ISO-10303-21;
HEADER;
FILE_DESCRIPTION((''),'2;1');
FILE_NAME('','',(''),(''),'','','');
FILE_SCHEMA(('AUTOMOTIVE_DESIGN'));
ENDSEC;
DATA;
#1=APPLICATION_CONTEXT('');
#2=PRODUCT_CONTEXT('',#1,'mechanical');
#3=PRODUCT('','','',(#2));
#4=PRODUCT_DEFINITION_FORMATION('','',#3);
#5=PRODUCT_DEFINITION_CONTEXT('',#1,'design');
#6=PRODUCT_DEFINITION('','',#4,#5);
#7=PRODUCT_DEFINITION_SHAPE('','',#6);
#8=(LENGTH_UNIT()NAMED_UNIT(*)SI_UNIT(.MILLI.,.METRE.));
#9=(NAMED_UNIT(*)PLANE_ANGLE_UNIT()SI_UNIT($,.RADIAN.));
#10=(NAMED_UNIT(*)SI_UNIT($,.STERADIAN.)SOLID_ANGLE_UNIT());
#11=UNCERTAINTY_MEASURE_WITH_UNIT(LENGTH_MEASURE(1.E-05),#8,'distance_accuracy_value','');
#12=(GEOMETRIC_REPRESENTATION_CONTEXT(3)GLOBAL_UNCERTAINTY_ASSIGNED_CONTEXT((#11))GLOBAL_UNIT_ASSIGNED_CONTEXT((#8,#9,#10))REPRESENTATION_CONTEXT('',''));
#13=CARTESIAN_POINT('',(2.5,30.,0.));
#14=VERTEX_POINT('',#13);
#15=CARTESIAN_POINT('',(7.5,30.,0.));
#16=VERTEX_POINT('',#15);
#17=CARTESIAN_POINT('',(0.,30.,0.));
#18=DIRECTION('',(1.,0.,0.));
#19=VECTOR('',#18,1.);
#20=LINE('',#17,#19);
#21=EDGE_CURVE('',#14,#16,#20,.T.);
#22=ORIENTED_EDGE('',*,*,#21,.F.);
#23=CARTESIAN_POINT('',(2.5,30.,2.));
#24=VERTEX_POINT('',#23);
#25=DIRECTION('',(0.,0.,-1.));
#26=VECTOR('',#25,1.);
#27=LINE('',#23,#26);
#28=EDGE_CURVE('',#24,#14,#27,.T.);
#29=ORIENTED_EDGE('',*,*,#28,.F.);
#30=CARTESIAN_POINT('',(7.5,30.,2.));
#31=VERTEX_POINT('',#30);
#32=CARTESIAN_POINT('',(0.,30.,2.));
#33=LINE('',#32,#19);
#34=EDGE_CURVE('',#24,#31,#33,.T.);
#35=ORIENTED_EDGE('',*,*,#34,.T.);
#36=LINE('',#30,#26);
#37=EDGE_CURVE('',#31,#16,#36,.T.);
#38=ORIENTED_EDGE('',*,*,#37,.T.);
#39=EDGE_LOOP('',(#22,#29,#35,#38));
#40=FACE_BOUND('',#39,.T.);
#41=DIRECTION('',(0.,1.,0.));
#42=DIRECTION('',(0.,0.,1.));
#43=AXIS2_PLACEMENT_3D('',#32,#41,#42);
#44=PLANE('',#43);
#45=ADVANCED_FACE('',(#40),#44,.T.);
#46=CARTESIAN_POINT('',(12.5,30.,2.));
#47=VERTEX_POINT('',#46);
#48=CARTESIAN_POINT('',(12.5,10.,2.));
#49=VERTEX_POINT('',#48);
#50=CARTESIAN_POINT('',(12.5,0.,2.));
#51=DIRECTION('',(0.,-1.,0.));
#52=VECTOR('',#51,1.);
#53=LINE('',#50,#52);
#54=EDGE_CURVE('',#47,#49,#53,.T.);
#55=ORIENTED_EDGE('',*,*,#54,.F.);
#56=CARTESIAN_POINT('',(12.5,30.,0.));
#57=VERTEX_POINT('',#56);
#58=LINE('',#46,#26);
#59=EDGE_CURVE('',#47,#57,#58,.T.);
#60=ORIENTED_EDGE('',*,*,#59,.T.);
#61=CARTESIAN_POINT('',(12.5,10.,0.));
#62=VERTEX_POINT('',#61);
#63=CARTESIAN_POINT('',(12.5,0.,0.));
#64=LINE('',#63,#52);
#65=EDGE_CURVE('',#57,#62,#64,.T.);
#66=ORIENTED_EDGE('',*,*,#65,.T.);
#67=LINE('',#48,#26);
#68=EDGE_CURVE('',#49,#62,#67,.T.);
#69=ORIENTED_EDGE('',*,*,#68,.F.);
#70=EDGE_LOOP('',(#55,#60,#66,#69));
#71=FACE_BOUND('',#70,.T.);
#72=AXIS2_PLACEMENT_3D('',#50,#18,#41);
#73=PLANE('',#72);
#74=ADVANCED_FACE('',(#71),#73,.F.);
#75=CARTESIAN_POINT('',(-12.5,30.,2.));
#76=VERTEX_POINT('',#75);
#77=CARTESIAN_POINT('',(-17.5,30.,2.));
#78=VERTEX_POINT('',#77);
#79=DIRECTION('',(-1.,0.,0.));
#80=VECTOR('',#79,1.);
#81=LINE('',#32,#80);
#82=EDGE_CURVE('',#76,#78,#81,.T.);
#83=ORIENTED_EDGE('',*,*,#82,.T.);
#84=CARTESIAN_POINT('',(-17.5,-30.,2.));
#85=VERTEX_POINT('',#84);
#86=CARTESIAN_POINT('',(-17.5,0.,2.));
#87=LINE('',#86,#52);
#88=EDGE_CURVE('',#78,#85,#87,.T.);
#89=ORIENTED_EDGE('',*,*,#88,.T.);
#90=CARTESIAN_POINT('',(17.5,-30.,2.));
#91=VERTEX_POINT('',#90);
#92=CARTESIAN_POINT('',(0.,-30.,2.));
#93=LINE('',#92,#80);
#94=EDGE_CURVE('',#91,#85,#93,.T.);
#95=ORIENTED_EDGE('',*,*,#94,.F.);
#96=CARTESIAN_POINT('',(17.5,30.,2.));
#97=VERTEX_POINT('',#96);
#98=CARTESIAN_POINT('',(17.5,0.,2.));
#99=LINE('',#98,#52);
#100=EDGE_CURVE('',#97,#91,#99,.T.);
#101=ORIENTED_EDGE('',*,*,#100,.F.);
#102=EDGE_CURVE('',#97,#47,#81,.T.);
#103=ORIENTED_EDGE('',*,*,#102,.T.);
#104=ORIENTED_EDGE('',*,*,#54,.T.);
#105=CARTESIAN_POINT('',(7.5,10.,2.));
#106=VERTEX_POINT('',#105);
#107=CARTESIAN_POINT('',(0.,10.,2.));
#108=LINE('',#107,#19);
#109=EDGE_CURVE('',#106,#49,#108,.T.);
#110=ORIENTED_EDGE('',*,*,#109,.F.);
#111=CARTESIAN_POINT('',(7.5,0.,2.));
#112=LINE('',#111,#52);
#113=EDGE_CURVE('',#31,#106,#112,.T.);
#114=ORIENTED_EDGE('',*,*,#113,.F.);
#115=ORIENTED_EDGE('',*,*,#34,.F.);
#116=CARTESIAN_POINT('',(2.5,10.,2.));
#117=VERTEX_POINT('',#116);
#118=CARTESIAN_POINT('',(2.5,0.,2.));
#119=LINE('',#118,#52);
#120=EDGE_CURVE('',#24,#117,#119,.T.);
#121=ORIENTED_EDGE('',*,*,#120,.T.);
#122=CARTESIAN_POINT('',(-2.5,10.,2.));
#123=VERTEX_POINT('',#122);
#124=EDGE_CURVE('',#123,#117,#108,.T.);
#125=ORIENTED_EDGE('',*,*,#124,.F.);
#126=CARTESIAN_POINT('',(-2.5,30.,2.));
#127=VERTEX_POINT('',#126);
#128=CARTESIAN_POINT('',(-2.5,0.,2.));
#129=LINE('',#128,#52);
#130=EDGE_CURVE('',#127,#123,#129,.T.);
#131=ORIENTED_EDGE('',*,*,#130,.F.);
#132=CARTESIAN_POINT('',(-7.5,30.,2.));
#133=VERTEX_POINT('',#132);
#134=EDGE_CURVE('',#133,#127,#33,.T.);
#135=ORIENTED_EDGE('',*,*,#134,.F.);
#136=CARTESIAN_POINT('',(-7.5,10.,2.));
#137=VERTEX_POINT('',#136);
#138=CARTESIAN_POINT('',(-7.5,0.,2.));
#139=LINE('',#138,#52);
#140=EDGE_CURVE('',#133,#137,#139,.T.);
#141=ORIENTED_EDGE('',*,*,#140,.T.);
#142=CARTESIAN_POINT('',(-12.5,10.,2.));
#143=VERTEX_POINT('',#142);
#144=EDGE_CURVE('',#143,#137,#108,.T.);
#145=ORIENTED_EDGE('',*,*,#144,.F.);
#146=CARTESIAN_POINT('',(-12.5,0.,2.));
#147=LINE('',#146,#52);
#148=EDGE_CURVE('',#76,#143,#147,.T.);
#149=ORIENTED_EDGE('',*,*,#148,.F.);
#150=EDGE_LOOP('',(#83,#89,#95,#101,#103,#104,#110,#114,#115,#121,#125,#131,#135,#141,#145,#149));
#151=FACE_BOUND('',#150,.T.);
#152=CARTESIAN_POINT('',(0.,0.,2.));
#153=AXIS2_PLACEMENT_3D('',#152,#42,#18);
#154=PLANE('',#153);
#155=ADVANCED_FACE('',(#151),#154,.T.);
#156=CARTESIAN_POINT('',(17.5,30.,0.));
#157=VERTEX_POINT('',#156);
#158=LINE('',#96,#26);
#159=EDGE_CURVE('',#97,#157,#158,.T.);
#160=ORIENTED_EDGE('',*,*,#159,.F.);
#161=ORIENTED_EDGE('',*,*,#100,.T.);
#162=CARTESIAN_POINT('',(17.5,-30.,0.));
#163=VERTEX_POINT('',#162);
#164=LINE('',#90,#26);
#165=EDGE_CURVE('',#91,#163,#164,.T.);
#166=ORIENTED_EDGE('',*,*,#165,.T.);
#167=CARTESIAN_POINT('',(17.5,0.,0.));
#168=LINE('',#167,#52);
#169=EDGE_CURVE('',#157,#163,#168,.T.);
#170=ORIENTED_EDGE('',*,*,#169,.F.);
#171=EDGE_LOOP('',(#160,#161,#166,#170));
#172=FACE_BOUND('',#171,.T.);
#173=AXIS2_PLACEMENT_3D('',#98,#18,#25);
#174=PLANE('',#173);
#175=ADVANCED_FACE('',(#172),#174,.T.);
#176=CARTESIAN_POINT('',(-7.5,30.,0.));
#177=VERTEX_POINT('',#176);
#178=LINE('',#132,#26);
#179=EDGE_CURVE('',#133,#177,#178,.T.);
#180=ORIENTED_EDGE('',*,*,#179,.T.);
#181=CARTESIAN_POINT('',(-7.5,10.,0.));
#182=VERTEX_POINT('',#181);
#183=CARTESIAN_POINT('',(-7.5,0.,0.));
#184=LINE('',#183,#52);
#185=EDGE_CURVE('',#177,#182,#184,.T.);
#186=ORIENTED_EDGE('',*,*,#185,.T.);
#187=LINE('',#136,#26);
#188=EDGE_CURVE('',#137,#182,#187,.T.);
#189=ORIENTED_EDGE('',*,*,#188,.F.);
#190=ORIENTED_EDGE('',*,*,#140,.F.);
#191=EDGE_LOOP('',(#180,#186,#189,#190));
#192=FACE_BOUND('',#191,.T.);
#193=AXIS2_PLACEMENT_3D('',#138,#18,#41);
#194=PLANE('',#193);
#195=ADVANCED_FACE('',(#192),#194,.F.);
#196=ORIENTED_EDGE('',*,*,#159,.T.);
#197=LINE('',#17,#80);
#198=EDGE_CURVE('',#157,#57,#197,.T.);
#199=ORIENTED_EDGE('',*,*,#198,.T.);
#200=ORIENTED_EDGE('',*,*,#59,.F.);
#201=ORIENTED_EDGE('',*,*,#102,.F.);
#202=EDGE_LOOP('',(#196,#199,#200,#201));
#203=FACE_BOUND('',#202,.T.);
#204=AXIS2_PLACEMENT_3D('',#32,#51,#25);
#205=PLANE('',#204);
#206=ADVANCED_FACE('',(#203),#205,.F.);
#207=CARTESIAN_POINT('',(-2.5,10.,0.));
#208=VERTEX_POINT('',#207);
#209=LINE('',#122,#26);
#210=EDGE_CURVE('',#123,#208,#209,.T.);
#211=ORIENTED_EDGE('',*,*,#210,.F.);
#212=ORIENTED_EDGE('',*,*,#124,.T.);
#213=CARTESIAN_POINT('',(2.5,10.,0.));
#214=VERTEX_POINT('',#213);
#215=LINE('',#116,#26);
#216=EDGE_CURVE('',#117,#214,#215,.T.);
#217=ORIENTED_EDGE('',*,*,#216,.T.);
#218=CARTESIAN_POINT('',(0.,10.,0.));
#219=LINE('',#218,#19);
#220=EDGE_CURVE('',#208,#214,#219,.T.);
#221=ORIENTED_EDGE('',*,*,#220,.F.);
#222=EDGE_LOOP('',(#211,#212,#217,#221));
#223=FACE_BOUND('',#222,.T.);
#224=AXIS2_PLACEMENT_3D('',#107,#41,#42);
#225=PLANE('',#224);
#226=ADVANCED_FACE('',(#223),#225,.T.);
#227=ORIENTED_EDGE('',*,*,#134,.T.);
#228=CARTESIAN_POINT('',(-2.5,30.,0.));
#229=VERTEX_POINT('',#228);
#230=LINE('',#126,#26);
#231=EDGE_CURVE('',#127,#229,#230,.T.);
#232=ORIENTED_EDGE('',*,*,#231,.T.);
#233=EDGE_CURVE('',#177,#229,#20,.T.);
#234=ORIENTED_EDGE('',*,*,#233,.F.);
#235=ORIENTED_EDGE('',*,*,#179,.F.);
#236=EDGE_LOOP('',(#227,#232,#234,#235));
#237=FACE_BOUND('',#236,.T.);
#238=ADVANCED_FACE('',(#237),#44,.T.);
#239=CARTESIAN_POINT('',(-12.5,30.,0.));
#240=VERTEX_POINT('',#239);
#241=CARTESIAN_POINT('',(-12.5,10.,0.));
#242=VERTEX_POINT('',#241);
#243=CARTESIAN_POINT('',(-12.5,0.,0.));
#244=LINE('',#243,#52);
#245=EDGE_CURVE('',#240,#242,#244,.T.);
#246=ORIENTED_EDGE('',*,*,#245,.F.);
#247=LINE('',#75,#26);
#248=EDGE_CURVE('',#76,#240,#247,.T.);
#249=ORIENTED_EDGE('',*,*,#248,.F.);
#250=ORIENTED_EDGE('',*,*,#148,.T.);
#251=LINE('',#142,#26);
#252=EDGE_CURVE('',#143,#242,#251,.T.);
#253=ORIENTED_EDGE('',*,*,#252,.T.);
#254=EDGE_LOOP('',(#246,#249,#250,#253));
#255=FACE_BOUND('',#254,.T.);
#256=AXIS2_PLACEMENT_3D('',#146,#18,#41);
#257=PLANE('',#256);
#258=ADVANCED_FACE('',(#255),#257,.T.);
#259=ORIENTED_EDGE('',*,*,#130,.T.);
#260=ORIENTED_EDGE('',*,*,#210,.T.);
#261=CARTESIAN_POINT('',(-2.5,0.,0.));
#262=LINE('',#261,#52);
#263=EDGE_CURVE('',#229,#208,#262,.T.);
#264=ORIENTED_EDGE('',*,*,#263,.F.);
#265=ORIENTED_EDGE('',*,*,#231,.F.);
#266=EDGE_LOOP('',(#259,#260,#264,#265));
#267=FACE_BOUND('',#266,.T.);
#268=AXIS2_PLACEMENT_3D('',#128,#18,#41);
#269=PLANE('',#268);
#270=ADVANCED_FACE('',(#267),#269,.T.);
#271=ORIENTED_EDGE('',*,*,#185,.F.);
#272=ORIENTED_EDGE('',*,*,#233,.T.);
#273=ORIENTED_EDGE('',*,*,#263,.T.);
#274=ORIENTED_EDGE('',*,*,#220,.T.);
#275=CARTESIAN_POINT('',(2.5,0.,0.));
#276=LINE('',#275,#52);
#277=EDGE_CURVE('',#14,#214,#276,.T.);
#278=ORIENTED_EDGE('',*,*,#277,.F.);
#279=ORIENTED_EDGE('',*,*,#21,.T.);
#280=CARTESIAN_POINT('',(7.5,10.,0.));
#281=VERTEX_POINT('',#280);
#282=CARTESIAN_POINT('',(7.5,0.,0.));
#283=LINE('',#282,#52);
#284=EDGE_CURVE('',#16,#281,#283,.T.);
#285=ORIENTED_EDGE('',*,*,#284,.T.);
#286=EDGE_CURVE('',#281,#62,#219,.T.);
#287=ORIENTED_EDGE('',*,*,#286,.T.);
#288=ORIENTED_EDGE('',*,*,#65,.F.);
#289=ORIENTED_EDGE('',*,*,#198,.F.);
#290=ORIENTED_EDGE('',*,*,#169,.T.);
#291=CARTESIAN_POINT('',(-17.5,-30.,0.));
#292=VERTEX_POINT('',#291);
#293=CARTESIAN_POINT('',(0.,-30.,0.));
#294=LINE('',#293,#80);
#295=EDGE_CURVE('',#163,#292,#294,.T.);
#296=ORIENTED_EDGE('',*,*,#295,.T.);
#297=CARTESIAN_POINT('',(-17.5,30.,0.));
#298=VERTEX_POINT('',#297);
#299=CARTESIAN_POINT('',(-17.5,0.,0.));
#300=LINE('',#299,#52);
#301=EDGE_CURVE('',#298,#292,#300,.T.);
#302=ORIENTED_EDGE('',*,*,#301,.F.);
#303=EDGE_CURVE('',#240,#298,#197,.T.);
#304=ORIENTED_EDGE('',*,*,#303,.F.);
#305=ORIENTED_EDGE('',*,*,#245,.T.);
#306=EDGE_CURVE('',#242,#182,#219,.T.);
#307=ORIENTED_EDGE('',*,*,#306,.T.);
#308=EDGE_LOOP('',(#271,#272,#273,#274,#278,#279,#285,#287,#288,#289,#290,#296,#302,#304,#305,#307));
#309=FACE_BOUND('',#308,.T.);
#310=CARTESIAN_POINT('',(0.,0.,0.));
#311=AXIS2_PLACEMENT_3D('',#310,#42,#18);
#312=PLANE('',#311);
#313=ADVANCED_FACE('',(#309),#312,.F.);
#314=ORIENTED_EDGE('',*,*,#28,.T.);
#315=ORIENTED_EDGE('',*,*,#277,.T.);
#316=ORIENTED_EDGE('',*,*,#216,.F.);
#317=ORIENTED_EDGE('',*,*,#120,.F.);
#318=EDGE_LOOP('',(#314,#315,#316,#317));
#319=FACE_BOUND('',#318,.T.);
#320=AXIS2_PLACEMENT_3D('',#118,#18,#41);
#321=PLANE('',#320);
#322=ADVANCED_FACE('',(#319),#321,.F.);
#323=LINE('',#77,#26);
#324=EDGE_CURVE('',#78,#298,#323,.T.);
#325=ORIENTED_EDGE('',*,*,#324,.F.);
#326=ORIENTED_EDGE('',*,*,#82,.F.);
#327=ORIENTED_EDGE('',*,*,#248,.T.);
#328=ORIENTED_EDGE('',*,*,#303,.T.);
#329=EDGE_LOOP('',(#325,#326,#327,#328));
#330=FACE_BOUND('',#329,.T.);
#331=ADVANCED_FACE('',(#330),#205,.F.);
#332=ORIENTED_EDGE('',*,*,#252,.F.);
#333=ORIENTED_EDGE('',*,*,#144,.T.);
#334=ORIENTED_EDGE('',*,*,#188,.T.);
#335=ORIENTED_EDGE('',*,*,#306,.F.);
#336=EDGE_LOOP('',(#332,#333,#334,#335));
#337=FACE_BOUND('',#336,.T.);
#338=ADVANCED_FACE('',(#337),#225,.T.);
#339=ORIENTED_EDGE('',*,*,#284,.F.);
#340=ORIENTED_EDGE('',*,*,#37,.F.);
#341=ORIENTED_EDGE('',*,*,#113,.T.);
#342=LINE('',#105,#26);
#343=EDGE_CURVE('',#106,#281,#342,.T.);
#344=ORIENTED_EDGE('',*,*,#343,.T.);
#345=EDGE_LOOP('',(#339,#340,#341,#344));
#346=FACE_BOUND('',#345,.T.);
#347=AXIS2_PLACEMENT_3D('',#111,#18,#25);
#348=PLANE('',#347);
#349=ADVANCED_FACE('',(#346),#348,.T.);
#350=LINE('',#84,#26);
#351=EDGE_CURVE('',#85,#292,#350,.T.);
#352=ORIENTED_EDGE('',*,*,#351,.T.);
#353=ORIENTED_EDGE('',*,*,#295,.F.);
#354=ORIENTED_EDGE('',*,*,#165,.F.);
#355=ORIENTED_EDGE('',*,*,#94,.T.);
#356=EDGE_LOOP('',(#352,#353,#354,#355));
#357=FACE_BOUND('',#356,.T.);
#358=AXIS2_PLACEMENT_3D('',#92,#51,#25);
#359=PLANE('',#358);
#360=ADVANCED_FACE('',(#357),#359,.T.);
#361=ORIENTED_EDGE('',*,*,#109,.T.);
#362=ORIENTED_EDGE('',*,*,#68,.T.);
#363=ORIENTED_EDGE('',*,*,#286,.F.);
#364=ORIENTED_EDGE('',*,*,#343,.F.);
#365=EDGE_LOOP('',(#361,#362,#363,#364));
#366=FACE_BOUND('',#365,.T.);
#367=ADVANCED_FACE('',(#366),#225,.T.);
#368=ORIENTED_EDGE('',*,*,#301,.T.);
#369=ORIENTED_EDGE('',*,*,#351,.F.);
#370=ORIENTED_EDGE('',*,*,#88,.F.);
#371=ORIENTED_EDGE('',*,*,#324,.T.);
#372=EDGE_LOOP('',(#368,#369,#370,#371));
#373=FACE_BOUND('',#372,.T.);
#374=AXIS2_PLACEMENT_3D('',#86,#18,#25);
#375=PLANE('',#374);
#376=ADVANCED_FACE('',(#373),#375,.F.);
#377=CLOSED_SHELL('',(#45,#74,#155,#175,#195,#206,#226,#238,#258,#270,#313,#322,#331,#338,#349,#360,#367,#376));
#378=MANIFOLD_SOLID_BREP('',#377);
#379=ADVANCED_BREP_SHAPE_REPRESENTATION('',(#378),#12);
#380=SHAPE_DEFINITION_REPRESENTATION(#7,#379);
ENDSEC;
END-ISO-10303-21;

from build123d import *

# Parameters (mm, degrees)
SKETCH1_W           = 35
SKETCH1_H           = 30
BOSS_EXTRUDE5_DEPTH = 2
BOSS_EXTRUDE6_DEPTH = 2


with BuildPart() as part:
    # Sketch1 → Boss-Extrude5 (new body)
    with BuildSketch(Plane.XY):
        with Locations((0, -15)):
            Rectangle(SKETCH1_W, SKETCH1_H)
    extrude(amount=BOSS_EXTRUDE5_DEPTH)

    # Sketch1<7> → Boss-Extrude6 (add)
    with BuildSketch(Plane.XY):
        Polygon((-12.5, 10), (-12.5, 30), (-17.5, 30), (-17.5, 10), (-17.5, 0), (17.5, 0), (17.5, 10), (17.5, 30), (12.5, 30), (12.5, 10), (7.5, 10), (7.5, 30), (2.5, 30), (2.5, 10), (-2.5, 10), (-2.5, 30), (-7.5, 30), (-7.5, 10), align=None)
    extrude(amount=BOSS_EXTRUDE6_DEPTH)


solid = part.part
